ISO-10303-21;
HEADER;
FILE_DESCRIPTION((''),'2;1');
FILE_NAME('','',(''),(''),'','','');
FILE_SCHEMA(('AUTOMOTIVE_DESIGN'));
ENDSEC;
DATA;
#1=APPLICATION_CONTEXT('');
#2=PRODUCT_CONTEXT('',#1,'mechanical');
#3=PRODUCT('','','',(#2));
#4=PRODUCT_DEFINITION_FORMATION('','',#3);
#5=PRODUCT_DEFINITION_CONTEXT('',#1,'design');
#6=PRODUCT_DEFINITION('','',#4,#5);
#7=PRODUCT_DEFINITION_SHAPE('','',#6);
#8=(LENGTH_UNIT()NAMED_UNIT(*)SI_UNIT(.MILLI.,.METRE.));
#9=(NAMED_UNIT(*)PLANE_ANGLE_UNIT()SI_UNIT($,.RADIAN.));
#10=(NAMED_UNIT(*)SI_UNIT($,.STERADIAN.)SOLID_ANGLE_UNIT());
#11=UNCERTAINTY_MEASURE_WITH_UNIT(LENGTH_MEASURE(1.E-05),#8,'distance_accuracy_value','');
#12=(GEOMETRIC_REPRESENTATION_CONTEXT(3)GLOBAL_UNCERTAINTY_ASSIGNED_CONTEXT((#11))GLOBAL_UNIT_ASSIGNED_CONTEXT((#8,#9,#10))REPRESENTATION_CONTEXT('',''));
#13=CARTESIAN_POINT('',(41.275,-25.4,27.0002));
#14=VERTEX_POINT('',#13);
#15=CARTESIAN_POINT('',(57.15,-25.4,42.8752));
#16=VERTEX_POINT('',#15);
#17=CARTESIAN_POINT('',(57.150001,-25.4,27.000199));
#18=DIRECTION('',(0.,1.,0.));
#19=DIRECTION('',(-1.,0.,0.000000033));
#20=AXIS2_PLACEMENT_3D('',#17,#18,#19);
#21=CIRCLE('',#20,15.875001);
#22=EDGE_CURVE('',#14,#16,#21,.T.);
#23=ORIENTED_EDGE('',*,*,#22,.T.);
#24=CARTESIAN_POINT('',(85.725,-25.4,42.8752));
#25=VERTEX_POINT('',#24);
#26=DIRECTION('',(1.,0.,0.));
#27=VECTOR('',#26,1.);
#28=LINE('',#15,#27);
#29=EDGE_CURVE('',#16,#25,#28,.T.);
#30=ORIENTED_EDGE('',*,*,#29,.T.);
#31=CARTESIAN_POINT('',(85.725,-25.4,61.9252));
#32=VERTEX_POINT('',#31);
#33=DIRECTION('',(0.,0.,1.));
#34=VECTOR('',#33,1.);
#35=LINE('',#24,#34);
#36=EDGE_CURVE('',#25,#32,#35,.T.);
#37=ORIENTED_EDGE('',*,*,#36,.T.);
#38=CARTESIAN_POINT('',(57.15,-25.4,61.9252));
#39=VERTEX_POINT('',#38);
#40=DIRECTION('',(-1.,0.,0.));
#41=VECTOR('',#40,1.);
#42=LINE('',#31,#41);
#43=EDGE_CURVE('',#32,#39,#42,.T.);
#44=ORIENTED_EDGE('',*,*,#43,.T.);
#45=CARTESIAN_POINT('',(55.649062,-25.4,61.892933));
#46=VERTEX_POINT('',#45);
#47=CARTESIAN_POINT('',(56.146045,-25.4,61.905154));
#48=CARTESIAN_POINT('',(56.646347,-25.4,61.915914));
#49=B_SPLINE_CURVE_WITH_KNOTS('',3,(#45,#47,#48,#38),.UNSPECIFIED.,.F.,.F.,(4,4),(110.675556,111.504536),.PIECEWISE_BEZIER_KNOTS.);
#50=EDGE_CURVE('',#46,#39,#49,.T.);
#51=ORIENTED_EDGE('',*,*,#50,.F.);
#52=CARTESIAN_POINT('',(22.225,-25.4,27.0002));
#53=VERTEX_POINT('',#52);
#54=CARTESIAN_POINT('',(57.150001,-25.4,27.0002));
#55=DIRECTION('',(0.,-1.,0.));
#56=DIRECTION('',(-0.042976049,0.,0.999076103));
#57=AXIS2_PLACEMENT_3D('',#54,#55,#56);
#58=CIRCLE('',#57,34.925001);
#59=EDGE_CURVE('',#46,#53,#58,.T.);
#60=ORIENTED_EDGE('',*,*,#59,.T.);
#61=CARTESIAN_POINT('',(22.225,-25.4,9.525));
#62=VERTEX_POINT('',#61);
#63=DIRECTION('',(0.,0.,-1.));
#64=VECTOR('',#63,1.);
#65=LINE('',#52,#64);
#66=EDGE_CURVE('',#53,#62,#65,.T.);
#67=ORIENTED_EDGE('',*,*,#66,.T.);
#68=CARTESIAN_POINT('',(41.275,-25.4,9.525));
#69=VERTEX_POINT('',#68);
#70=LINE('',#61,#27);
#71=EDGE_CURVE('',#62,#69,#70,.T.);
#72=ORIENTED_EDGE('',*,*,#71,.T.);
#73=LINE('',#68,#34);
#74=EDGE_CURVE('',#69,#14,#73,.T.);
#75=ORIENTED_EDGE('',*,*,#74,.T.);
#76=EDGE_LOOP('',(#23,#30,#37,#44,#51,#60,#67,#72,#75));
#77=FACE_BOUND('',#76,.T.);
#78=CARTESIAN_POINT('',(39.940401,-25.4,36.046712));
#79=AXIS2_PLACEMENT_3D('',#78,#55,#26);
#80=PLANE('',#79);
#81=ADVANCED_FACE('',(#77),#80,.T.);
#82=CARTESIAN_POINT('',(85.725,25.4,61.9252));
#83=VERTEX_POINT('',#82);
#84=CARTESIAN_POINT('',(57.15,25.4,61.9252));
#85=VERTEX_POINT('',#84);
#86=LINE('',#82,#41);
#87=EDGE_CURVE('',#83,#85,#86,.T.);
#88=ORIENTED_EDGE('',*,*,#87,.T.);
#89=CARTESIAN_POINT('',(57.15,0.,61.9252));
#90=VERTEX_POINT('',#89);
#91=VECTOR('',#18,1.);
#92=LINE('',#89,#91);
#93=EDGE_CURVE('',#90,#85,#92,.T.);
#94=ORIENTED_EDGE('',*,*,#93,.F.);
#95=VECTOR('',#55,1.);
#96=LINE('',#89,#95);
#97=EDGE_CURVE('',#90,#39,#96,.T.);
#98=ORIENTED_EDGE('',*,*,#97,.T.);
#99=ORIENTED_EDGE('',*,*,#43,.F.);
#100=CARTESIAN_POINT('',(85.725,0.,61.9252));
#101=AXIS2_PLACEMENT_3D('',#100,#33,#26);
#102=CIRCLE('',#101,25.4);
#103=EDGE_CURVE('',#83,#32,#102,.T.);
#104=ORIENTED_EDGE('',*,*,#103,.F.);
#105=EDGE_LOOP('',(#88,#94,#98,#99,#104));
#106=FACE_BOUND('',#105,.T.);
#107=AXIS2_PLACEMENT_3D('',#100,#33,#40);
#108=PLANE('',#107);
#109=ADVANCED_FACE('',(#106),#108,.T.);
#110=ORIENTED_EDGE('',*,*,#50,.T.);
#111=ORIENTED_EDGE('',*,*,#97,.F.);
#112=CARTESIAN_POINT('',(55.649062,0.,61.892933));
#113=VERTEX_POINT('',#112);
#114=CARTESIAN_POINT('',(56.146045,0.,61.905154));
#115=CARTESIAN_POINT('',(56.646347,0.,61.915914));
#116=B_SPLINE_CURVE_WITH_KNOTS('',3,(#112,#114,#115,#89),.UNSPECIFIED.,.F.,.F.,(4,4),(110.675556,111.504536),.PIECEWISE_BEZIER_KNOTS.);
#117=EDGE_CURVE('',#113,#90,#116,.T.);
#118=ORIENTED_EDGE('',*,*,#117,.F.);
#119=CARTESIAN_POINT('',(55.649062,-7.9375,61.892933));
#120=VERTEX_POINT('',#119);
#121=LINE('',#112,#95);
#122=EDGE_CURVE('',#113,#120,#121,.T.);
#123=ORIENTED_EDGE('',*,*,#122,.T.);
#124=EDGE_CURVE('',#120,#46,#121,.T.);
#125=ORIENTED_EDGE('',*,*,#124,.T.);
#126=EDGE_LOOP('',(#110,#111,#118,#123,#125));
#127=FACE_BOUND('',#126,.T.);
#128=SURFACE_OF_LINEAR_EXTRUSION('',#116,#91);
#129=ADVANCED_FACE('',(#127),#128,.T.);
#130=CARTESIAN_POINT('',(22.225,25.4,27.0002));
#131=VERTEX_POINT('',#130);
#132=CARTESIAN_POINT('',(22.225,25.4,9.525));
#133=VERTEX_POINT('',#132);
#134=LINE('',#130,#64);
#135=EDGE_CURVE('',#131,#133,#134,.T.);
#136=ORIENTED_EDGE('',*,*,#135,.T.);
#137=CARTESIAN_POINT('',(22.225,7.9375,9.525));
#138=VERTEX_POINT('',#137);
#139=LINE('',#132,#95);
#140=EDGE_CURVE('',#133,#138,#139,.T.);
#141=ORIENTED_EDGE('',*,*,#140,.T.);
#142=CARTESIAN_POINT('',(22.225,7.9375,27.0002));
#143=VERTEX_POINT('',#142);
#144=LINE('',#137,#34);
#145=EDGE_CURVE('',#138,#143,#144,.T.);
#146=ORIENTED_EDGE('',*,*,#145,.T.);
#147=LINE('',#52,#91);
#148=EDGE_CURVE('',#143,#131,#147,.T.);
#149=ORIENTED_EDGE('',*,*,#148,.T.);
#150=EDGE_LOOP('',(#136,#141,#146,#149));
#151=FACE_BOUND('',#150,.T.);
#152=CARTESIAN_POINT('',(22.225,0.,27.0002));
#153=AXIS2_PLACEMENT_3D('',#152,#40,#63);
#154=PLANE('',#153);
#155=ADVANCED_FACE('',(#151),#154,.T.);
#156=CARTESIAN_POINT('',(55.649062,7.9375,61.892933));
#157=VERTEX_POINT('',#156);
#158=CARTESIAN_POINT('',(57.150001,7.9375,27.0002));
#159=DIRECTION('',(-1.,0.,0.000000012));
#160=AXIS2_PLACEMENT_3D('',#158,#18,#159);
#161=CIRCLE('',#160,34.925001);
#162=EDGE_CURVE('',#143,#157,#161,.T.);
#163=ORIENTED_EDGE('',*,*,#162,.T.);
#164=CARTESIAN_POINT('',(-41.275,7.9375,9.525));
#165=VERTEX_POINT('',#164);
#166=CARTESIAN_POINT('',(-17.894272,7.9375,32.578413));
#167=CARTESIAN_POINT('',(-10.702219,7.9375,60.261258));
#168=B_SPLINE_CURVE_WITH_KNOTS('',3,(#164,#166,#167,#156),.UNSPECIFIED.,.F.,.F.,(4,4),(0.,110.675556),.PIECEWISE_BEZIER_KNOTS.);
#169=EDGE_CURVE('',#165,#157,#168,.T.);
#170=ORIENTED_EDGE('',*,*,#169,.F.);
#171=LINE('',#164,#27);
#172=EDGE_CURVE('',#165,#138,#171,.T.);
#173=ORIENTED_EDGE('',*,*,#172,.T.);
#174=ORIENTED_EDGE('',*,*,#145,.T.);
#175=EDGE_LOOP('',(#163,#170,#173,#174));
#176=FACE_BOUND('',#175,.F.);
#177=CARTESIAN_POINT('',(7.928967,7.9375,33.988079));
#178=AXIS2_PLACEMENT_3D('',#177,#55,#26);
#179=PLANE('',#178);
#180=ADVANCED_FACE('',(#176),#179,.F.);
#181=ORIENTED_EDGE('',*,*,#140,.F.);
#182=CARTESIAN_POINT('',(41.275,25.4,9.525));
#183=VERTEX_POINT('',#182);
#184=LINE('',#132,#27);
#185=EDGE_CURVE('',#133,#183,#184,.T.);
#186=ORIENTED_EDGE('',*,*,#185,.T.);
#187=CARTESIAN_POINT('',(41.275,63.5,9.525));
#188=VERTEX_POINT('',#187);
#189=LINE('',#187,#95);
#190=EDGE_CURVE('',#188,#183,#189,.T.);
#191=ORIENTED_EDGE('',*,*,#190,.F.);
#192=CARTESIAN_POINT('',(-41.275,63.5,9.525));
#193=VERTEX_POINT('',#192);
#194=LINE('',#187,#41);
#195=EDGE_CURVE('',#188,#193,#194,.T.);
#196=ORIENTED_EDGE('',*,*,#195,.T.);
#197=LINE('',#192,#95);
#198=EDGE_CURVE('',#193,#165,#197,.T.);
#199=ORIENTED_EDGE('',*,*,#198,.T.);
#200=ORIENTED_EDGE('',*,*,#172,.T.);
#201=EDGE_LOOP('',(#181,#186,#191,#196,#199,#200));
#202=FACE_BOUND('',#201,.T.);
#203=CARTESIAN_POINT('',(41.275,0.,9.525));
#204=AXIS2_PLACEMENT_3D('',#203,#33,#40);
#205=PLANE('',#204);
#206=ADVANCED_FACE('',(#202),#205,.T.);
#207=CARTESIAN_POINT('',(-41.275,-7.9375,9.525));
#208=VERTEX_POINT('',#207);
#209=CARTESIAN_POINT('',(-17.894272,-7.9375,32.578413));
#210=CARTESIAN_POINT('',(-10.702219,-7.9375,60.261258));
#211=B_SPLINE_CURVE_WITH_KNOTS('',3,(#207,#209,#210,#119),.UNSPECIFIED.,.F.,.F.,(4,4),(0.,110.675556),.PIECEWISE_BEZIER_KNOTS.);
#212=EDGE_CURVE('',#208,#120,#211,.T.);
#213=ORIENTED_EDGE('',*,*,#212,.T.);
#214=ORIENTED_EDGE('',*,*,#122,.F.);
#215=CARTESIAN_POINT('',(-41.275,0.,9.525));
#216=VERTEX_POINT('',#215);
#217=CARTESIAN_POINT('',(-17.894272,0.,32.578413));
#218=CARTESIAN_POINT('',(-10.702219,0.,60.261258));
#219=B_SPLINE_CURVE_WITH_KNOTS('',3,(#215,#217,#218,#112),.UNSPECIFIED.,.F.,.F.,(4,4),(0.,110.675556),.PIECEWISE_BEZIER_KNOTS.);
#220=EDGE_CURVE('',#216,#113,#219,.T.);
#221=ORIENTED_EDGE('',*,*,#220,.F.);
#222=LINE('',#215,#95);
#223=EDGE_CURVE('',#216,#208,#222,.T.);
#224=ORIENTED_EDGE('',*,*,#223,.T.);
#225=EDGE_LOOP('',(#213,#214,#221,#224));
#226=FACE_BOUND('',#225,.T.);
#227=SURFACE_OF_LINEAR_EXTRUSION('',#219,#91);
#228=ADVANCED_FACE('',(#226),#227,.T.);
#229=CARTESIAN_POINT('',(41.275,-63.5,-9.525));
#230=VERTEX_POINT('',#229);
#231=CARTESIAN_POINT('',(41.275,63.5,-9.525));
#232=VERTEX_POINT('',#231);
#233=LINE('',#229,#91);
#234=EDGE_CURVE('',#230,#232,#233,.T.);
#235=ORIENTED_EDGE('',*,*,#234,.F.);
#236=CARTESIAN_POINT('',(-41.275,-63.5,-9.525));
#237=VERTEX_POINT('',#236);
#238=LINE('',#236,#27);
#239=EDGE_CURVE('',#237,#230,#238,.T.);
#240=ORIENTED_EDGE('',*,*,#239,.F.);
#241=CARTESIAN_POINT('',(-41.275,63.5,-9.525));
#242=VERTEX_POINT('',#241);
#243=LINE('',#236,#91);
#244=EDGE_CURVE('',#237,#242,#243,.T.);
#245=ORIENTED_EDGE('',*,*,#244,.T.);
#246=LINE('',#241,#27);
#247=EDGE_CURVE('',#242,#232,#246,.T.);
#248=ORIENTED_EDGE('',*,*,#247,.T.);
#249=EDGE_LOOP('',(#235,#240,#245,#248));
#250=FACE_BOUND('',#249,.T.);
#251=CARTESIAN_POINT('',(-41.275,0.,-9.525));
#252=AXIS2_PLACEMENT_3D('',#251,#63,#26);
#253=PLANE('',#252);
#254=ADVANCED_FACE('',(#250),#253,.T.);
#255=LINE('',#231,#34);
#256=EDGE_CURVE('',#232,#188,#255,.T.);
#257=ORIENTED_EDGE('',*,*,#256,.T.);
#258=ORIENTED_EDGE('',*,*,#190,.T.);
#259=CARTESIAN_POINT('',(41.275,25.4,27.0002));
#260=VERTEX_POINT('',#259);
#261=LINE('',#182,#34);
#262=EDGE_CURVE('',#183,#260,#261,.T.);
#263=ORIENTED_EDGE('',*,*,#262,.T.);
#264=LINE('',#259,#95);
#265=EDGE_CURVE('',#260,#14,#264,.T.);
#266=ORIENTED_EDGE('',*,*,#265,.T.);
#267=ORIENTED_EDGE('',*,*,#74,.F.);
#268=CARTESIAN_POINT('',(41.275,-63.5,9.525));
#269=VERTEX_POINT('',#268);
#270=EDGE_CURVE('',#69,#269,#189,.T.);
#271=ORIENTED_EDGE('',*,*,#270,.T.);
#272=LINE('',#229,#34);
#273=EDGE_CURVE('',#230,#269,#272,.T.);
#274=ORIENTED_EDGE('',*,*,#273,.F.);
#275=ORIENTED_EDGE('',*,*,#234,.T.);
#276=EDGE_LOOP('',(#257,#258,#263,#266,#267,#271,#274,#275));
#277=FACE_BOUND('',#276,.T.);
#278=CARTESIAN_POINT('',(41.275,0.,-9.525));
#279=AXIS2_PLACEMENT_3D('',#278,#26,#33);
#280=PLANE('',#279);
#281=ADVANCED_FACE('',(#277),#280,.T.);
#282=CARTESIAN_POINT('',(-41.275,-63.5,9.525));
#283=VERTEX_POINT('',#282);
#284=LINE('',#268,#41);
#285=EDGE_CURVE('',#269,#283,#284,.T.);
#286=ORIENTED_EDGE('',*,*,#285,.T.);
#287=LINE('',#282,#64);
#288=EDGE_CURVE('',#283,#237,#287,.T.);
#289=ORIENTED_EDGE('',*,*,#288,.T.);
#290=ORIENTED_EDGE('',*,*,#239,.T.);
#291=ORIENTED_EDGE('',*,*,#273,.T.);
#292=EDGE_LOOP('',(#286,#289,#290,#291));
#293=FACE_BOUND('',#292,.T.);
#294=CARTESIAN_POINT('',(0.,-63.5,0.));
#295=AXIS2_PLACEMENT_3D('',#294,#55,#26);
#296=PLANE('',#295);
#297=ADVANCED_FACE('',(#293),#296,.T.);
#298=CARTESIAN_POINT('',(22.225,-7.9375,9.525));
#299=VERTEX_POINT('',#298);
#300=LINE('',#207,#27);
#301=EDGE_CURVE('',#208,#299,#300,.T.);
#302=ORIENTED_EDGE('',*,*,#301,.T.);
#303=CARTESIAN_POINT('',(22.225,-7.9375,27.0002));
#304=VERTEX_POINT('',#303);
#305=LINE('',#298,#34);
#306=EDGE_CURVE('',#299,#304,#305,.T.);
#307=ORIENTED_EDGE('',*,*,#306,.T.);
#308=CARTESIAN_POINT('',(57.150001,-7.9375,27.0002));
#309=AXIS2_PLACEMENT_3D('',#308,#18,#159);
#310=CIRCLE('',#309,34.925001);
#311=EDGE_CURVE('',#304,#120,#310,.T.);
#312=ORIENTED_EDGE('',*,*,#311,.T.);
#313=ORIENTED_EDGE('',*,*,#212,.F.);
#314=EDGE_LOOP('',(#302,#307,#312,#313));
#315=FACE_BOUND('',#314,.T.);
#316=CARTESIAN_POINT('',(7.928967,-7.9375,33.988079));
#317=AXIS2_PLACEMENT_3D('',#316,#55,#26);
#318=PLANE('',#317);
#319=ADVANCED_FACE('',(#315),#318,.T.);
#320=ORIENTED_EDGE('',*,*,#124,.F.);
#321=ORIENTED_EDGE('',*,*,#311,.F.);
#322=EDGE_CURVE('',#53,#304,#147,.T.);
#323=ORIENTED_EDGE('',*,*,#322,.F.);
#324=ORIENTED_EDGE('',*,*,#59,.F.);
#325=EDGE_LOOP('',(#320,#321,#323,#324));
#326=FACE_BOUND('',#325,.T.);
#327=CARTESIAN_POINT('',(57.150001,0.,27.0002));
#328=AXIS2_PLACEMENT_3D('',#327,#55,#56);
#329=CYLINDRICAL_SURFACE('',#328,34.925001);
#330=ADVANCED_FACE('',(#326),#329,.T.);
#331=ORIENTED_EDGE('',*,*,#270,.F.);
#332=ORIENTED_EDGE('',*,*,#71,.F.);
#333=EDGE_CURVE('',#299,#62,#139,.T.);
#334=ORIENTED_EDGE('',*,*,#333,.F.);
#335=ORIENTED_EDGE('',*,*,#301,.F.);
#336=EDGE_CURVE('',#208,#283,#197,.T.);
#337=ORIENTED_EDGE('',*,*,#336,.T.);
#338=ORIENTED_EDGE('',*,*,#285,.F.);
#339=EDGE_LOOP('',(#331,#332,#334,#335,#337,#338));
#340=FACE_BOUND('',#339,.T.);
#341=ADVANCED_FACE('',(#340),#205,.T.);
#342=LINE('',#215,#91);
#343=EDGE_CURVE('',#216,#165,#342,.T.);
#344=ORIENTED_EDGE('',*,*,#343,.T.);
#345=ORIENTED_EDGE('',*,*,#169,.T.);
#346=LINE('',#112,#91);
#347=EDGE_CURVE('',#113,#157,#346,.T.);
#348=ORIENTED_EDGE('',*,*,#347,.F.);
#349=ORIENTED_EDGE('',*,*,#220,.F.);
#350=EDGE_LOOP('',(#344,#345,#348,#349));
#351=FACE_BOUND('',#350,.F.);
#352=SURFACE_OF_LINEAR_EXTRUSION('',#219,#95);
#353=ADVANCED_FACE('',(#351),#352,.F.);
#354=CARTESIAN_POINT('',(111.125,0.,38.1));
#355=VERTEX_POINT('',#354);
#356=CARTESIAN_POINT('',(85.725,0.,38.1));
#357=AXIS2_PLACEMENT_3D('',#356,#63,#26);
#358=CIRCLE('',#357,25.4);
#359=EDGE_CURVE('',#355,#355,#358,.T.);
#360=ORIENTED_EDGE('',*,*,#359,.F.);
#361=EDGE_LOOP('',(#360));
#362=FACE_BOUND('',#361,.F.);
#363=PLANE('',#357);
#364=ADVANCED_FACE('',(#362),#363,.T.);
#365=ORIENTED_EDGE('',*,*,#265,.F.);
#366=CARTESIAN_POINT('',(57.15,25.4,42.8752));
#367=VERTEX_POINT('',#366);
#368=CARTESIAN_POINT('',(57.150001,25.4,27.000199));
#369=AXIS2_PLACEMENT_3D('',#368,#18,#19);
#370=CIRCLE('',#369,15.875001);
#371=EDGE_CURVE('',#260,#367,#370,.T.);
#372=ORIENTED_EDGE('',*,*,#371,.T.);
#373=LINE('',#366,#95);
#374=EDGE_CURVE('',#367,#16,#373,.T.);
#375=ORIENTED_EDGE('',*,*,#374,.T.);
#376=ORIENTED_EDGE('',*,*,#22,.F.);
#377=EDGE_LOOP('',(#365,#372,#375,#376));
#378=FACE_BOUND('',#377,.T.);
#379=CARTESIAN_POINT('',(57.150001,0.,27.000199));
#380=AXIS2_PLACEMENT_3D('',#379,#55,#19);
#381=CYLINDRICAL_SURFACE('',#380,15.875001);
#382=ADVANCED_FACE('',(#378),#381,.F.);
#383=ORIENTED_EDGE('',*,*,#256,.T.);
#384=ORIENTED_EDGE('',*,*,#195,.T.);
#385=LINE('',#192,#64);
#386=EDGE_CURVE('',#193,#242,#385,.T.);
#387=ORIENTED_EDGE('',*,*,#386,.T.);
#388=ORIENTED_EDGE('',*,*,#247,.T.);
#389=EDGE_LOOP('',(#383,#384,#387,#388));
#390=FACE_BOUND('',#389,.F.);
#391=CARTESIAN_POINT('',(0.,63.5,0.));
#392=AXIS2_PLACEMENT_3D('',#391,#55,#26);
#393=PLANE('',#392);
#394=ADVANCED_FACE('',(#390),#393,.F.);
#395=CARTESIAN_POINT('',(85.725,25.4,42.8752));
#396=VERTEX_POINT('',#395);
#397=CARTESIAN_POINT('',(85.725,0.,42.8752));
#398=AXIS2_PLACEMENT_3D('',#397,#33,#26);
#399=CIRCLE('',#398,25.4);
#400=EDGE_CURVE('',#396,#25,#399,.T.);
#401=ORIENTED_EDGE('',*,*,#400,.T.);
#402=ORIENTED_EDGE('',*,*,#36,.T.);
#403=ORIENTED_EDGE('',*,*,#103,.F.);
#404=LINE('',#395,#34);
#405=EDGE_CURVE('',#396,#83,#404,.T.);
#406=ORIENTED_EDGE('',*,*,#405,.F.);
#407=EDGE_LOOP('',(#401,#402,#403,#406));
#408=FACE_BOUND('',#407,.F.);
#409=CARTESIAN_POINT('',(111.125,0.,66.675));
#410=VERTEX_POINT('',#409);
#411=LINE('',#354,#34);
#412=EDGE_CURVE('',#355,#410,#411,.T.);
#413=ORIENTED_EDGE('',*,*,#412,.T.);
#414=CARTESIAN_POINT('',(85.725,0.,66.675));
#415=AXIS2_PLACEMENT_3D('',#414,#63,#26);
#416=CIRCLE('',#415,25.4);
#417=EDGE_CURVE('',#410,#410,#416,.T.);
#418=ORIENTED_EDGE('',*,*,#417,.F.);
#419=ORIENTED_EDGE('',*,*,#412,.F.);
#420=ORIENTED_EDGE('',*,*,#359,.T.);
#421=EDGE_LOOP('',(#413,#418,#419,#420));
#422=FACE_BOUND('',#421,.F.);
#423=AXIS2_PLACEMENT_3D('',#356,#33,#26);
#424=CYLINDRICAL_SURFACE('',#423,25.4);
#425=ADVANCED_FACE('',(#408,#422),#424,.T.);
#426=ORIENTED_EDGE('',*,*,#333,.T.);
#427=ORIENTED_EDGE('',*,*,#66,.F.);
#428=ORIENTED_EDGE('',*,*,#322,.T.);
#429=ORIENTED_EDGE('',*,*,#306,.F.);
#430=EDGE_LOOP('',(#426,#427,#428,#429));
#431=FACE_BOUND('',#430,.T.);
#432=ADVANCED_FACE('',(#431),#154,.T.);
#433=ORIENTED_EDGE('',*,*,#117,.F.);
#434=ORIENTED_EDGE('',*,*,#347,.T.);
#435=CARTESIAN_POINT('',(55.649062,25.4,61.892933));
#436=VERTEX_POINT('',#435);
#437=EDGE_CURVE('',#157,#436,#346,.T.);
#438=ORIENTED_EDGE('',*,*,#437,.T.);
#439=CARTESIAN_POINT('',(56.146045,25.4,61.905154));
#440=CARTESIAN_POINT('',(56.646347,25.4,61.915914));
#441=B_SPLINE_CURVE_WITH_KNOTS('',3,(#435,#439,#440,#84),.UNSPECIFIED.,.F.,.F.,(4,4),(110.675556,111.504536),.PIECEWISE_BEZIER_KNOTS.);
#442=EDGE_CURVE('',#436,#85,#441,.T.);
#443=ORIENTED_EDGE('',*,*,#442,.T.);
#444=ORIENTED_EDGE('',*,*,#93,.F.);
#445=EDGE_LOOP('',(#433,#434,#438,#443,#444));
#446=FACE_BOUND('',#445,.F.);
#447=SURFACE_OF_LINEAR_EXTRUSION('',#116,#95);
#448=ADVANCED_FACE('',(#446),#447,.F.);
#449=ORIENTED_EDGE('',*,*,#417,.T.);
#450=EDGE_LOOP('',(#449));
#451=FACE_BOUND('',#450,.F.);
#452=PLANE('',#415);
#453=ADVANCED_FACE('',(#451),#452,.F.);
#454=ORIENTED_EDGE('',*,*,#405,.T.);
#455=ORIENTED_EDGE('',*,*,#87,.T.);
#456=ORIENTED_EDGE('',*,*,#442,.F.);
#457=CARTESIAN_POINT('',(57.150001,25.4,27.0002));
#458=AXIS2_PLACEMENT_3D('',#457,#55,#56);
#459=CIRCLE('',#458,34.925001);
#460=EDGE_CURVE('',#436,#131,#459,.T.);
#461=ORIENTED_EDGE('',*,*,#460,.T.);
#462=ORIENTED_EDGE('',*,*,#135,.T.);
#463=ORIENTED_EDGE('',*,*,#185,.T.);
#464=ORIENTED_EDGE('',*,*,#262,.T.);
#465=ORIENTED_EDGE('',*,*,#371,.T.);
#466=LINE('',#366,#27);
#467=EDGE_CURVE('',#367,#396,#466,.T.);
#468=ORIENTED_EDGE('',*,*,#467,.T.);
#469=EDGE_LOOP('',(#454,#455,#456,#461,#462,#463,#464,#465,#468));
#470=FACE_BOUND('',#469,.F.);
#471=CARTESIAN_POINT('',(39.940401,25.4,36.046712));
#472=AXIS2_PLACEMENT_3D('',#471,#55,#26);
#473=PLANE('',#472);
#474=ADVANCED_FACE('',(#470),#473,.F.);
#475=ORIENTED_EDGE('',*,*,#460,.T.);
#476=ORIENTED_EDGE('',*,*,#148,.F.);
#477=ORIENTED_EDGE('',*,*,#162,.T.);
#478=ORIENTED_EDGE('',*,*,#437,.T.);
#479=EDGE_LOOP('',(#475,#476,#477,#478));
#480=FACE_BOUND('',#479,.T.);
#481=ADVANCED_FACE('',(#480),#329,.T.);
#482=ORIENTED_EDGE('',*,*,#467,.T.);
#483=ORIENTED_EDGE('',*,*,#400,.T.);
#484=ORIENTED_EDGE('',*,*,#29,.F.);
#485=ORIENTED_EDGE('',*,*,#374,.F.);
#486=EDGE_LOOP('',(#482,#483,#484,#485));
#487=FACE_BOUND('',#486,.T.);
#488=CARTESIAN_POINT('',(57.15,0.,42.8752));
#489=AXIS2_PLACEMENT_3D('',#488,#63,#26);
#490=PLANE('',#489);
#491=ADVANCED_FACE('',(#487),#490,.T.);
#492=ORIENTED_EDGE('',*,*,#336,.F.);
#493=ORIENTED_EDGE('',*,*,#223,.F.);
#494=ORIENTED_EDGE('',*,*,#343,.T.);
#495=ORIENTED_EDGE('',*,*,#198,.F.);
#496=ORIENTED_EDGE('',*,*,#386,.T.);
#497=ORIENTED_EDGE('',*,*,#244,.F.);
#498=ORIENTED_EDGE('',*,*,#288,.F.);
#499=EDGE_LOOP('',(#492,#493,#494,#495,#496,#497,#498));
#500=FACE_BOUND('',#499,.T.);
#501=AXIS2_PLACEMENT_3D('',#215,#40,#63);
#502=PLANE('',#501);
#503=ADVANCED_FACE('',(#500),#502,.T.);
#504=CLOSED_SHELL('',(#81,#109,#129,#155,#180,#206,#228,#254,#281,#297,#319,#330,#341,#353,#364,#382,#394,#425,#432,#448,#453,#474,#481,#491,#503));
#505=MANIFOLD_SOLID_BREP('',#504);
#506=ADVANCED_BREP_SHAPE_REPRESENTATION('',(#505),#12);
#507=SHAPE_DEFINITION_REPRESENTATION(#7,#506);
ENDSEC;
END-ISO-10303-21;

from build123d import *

# Parameters (mm, degrees)
F1_DEPTH = 63.5
F2_DEPTH = 25.4
F3_DEPTH = 7.9375


with BuildPart() as f1:
    # F0 (on Front) → F1 (new body, symmetric)
    with BuildSketch(Plane.XZ):
        Polygon((41.275, -9.525), (41.275, 9.525), (22.225, 9.525), (-41.275, 9.525), (-41.275, -9.525), align=None)
    extrude(amount=F1_DEPTH, both=True)

    # F0 (on Front) → F2 (join, symmetric)
    with BuildSketch(Plane.XZ):
        with BuildLine():
            Line((22.225, 9.525), (41.275, 9.525))
            Line((41.275, 9.525), (41.275, 27.0002))
            ThreePointArc((41.275, 27.0002), (45.92468, 38.22552), (57.15, 42.8752))
            Line((57.15, 42.8752), (60.325, 42.8752))
            Line((60.325, 42.8752), (60.325, 61.9252))
            Line((60.325, 61.9252), (57.15, 61.9252))
            add(Edge.make_bspline(
                [(55.649062, 61.892933), (56.146045, 61.905154), (56.646347, 61.915914), (57.15, 61.9252)],
                knots=[110.675556, 110.675556, 110.675556, 110.675556, 111.504536, 111.504536, 111.504536, 111.504536], degree=3))
            ThreePointArc((55.649062, 61.892933), (31.929216, 51.159415), (22.225, 27.0002))
            Line((22.225, 27.0002), (22.225, 9.525))
        make_face()
        Polygon((60.325, 61.9252), (60.325, 42.8752), (85.725, 42.8752), (85.725, 52.3875), (85.725, 61.9252), align=None)
    extrude(amount=F2_DEPTH, both=True)

    # F0 (on Front) → F3 (join, symmetric)
    with BuildSketch(Plane.XZ):
        with BuildLine():
            Line((-41.275, 9.525), (22.225, 9.525))
            Line((22.225, 9.525), (22.225, 27.0002))
            ThreePointArc((22.225, 27.0002), (31.929216, 51.159415), (55.649062, 61.892933))
            add(Edge.make_bspline(
                [(-41.275, 9.525), (-17.894272, 32.578413), (-10.702219, 60.261258), (55.649062, 61.892933)],
                knots=[0, 0, 0, 0, 110.675556, 110.675556, 110.675556, 110.675556], degree=3))
        make_face()
    extrude(amount=F3_DEPTH, both=True)

    # F0 (on Front) → F4 (revolve)
    with BuildSketch(Plane.XZ):
        Polygon((85.725, 52.3875), (85.725, 42.8752), (85.725, 38.1), (111.125, 38.1), (111.125, 66.675), (85.725, 66.675), (85.725, 61.9252), align=None)
    revolve(axis=Axis((85.725, 0, 52.3875), (0, 0, -1)))


solid = f1.part
